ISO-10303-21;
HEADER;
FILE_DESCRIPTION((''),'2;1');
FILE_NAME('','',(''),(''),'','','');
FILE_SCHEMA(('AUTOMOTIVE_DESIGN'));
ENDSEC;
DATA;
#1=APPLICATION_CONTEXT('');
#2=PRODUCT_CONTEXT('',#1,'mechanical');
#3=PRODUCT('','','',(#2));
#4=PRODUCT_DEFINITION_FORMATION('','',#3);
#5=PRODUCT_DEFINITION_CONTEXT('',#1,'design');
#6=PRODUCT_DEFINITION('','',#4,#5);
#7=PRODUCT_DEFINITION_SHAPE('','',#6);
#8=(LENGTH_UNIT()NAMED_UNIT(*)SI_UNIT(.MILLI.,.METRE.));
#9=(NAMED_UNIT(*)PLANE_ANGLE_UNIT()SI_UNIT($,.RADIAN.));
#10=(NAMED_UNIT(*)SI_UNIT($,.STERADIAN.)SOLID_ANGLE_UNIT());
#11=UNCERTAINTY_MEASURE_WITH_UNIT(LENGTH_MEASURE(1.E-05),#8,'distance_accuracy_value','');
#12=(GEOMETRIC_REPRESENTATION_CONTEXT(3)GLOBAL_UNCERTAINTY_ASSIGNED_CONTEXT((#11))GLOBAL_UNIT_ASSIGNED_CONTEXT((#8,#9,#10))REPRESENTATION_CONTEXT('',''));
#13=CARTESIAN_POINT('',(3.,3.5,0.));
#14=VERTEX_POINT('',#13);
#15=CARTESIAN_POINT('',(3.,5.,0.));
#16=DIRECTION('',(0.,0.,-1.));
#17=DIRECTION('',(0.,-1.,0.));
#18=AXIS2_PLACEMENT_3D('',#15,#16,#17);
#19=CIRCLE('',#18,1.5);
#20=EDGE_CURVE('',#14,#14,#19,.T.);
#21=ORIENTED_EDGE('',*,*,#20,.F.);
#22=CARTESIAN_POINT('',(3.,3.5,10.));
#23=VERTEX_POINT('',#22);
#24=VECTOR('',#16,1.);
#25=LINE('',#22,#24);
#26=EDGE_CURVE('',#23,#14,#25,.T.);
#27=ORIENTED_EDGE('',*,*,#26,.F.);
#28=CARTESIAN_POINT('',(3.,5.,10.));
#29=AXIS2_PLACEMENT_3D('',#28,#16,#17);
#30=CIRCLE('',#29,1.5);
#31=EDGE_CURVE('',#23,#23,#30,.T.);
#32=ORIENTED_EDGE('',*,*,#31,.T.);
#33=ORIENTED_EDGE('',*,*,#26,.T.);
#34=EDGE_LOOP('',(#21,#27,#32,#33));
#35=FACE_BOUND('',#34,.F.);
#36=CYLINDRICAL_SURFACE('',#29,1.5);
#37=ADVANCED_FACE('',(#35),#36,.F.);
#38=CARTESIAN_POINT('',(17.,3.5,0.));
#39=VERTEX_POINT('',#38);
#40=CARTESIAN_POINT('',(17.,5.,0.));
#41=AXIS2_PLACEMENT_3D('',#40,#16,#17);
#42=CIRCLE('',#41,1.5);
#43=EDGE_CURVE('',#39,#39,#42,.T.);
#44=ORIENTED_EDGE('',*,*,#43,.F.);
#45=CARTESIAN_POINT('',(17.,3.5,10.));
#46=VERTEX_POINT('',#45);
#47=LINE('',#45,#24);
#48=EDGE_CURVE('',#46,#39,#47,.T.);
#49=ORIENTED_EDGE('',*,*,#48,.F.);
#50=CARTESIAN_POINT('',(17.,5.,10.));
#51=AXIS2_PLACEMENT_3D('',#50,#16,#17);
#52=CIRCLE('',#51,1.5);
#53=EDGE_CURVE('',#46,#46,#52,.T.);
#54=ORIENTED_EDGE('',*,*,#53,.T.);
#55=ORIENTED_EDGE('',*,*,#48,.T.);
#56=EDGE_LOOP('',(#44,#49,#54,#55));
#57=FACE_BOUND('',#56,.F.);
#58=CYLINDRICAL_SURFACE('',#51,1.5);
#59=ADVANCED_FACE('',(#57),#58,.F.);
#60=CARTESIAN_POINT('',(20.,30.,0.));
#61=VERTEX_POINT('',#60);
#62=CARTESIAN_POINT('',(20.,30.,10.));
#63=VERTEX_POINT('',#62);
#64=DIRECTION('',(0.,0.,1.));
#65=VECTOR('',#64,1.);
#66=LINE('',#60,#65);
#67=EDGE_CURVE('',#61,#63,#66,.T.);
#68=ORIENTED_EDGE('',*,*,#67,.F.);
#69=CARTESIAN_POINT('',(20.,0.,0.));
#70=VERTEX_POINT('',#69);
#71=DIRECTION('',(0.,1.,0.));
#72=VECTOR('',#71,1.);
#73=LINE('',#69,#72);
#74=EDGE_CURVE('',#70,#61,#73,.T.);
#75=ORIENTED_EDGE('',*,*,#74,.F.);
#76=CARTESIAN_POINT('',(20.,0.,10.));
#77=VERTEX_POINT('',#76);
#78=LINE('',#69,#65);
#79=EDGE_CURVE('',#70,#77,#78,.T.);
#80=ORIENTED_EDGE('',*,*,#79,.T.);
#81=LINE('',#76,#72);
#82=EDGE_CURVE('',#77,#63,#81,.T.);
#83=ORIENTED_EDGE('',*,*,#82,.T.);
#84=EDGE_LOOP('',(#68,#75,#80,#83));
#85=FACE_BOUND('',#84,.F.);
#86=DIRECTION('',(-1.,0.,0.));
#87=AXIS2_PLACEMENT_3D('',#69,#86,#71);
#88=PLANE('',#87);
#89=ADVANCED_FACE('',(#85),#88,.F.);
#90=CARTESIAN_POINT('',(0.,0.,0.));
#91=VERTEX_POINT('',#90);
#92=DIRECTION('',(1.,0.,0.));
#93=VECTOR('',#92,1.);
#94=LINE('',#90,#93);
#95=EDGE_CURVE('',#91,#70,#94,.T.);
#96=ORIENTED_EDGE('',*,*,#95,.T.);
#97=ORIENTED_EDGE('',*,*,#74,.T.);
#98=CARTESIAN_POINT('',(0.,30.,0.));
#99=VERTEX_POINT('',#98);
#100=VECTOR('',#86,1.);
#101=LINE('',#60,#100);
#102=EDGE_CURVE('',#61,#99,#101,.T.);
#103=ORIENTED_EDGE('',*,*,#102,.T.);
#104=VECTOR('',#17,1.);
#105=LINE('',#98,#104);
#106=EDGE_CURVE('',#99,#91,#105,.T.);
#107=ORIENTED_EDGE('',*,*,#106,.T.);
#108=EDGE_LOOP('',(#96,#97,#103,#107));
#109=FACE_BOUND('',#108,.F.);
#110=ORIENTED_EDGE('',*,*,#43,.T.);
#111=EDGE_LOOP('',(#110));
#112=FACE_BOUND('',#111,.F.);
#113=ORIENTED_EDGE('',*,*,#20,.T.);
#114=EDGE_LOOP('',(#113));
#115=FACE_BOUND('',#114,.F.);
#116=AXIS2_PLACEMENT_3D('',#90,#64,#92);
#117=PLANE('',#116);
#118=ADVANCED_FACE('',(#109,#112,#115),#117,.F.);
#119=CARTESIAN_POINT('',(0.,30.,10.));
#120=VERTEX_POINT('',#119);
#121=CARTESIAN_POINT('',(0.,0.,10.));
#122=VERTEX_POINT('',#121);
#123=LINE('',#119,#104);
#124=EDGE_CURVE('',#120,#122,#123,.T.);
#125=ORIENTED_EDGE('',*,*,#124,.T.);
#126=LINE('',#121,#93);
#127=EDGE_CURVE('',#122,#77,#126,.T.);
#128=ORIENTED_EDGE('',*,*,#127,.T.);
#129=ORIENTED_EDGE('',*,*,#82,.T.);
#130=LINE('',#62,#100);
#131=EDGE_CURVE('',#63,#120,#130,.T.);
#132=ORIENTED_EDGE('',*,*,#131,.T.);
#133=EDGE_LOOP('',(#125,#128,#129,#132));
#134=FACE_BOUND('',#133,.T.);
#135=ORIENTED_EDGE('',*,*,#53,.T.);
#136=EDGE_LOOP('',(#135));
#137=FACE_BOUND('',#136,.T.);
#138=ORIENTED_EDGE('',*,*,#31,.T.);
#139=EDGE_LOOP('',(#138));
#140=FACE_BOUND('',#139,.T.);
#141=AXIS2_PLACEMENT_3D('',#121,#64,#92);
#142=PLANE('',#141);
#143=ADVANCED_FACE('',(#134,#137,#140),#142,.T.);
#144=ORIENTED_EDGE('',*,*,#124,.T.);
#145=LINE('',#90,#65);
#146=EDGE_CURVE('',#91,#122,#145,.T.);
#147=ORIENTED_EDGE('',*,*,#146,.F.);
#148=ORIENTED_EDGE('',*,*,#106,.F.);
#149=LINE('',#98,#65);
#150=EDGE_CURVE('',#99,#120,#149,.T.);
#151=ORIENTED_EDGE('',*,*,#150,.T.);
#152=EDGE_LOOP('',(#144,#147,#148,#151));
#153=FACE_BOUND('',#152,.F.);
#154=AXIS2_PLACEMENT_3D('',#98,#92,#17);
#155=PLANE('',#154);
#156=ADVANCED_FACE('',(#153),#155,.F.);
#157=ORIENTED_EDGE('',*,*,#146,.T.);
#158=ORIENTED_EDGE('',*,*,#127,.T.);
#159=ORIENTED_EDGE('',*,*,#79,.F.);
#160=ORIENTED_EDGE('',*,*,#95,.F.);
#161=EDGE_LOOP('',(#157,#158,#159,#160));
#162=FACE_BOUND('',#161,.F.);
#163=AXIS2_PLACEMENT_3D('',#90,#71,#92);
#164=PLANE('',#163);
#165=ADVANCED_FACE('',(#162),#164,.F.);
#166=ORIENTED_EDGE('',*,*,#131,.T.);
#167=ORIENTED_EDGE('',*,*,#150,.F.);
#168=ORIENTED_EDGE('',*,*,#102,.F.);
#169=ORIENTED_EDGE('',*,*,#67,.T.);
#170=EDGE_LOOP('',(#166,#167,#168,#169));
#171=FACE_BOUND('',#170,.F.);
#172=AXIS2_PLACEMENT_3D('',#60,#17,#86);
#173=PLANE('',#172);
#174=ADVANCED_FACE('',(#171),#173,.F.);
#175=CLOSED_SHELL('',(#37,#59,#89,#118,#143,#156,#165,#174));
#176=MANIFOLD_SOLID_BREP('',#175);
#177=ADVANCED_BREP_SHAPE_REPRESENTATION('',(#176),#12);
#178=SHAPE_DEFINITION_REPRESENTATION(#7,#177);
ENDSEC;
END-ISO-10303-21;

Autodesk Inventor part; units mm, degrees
ref_plane "YZ Plane" through (0, 0, 0) normal (1, 0, 0) x (0, 1, 0)
ref_plane "XZ Plane" through (0, 0, 0) normal (0, 1, 0) x (-1, 0, 0)
ref_plane "XY Plane" through (0, 0, 0) normal (0, 0, 1) x (1, 0, 0)
sketch "スケッチ1" plane through (0, 0, 0) normal (0, 0, 1) x (1, 0, 0)
  line L0 (0, 0) -> (20, 0)
  line L1 (20, 0) -> (20, 30)
  line L2 (20, 30) -> (0, 30)
  line L3 (0, 30) -> (0, 0)
  dimension "d0" = 20
  dimension "d1" = 30
extrude "押し出し1" add sketch "スケッチ1" along normal blind 10
sketch "スケッチ2" plane through (0, 0, 10) normal (0, 0, 1) x (1, 0, 0)
  line L0 (0, 0) -> (20, 0) projected
  line L1 (10, 0) -> (10, 6.3032)
  point P0 (3, 5)
  point P1 (17, 5)
  dimension "d4" = 5
  dimension "d5" = 7
hole "穴1" at (3, 5, 10) at (17, 5, 10) direction (0, 0, -1) diameter 3 end through all
sketch "スケッチ3" plane through (0, 0, 10) normal (0, 0, 1) x (1, 0, 0)
  line L0 (20, 30) -> (0, 30) projected
  line L1 (0, 30) -> (20, 10)
  line L2 (20, 0) -> (20, 30) projected
  point P0 (0, 0)
  dimension "d13" = 10
properties part number "指上"
